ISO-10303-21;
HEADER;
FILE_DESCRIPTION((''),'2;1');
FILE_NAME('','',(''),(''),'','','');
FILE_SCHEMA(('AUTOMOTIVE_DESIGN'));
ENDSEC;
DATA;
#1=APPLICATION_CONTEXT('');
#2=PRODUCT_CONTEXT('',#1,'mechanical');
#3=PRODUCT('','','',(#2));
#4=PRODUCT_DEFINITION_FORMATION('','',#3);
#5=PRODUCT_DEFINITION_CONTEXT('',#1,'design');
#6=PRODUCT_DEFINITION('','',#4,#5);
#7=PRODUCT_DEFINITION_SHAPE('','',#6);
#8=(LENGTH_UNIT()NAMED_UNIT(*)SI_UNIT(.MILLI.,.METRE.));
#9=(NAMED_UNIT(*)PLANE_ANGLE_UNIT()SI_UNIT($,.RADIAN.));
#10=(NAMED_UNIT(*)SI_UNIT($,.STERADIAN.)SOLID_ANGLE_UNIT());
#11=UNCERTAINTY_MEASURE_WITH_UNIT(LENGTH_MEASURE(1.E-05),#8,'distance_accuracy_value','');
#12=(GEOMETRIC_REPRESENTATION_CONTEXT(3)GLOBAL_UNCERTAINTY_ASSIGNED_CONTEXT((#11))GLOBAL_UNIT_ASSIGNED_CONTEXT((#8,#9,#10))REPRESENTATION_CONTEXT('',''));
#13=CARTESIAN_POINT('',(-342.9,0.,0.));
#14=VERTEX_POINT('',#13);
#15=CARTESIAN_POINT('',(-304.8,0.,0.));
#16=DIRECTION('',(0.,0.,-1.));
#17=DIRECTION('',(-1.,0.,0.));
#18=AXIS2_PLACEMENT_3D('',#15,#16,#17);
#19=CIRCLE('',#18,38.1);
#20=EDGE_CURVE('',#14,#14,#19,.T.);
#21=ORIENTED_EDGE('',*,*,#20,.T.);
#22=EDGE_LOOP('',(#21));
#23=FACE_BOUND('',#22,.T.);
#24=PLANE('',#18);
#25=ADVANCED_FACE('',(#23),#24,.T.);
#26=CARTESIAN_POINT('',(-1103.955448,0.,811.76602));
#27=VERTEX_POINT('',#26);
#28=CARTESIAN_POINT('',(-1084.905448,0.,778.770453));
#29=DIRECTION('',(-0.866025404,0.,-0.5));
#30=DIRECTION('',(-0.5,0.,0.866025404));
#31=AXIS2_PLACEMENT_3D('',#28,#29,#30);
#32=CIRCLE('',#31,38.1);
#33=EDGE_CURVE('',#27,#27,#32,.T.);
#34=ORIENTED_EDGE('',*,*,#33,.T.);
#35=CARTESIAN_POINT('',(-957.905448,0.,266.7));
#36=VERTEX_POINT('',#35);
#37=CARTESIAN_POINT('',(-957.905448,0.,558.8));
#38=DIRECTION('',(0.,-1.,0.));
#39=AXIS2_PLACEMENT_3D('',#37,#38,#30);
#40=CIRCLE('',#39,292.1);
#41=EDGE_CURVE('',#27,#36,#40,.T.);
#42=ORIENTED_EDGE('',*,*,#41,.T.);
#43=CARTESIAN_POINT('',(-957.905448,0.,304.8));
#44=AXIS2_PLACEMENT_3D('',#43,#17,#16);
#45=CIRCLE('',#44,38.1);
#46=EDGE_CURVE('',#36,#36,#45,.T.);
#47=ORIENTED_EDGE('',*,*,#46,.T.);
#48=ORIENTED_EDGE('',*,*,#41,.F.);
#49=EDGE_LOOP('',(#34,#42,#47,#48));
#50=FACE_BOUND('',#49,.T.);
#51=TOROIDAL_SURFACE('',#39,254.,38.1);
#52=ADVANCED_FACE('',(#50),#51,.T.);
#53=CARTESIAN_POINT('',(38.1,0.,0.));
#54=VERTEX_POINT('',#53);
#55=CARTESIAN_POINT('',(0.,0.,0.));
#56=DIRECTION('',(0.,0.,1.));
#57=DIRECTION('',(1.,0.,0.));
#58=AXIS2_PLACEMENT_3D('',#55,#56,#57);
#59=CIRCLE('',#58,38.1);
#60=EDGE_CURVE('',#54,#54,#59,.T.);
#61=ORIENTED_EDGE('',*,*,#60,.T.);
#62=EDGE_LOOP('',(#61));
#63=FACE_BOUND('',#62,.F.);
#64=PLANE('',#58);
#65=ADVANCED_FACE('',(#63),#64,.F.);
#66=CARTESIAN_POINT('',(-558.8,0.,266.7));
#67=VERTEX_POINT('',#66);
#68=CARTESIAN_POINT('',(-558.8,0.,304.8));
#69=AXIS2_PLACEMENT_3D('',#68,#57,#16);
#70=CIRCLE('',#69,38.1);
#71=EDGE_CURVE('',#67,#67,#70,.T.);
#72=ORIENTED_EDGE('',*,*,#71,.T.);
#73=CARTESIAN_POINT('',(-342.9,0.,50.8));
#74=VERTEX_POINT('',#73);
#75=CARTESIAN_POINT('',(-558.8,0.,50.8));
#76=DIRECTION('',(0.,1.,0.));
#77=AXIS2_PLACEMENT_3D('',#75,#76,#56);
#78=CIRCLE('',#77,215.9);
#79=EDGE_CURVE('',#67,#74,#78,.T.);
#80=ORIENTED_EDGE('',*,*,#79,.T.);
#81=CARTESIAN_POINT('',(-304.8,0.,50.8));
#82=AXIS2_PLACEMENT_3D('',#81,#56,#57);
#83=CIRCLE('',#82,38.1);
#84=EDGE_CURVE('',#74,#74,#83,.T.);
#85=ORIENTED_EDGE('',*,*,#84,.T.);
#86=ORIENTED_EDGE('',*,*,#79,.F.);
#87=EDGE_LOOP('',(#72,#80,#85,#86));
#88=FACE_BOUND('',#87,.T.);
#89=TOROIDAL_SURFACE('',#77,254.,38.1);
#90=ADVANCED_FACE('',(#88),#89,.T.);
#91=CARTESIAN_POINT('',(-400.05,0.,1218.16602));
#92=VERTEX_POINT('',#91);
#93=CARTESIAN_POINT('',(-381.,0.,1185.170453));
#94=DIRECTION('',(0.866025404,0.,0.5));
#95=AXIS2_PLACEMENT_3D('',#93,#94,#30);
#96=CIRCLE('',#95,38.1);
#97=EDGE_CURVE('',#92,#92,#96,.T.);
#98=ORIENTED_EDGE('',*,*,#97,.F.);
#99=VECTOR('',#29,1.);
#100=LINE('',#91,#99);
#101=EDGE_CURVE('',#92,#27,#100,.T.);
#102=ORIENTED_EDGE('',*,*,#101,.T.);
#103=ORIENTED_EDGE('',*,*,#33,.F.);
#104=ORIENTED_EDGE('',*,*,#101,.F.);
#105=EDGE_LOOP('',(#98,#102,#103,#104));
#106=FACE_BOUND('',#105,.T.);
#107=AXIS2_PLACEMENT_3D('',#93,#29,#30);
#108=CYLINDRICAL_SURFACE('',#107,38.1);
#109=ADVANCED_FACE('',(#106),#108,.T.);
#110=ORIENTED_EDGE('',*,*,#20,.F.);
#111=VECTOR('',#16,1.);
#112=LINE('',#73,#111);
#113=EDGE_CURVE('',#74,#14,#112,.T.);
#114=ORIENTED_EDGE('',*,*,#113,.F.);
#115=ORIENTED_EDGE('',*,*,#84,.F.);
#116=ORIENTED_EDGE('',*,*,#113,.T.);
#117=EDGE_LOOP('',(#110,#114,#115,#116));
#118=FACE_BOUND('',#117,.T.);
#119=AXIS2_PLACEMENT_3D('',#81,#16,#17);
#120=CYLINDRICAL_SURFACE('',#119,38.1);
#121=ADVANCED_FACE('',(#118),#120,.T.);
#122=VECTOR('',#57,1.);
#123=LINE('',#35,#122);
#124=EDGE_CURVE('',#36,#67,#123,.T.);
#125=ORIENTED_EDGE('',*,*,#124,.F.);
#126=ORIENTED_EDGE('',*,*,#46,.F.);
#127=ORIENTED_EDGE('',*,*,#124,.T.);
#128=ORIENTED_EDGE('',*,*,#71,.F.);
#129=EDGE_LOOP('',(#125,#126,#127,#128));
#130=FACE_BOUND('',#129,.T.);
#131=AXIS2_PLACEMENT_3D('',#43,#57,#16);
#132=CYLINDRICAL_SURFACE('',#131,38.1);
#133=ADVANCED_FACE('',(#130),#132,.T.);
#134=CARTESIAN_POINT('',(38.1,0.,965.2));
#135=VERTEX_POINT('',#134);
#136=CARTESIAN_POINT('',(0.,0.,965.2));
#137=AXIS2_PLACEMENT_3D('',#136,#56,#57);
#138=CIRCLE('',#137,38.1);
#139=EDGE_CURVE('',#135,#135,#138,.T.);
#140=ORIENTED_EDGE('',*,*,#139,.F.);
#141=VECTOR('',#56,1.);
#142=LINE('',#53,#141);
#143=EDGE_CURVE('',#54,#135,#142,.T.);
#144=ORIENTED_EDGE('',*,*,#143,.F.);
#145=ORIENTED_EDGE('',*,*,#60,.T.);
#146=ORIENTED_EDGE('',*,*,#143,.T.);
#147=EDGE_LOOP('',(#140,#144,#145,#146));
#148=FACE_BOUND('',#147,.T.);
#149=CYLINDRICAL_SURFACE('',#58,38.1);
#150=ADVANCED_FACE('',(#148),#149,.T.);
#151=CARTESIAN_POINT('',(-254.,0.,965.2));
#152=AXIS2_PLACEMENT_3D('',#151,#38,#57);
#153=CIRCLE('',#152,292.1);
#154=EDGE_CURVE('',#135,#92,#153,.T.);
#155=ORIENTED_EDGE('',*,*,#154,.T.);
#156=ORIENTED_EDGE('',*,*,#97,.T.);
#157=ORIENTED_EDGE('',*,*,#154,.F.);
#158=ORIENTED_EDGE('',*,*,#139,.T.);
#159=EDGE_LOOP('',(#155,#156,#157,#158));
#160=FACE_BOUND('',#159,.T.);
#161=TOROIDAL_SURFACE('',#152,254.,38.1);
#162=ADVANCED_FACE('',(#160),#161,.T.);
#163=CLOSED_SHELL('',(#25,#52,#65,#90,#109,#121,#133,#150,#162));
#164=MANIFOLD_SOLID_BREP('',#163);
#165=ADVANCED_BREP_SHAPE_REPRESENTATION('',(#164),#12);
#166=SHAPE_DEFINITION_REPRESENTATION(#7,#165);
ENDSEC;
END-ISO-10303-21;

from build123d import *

# Parameters (mm, degrees)
F2_R = 38.1


with BuildPart() as f3:
    # F3: sweep along a path in F0
    with BuildLine(Plane.XZ) as f3_path:
        Line((0, 0), (0, 965.2))
        ThreePointArc((0, 965.2), (-127, 1185.1704525612), (-381, 1185.1704525612))
        Line((-381, 1185.1704525612), (-1084.905448196, 778.7704525612))
        ThreePointArc((-1084.905448196, 778.7704525612), (-1203.2506080734, 493.059962544), (-957.905448196, 304.8))
        Line((-957.905448196, 304.8), (-558.8, 304.8))
        ThreePointArc((-558.8, 304.8), (-379.1948775786, 230.4051224214), (-304.8, 50.8))
        Line((-304.8, 50.8), (-304.8, 0))
    # F2 (on line) → F3 (sweep)
    with BuildSketch(Plane.XY):
        Circle(F2_R)
    sweep(path=f3_path.line)


solid = f3.part
